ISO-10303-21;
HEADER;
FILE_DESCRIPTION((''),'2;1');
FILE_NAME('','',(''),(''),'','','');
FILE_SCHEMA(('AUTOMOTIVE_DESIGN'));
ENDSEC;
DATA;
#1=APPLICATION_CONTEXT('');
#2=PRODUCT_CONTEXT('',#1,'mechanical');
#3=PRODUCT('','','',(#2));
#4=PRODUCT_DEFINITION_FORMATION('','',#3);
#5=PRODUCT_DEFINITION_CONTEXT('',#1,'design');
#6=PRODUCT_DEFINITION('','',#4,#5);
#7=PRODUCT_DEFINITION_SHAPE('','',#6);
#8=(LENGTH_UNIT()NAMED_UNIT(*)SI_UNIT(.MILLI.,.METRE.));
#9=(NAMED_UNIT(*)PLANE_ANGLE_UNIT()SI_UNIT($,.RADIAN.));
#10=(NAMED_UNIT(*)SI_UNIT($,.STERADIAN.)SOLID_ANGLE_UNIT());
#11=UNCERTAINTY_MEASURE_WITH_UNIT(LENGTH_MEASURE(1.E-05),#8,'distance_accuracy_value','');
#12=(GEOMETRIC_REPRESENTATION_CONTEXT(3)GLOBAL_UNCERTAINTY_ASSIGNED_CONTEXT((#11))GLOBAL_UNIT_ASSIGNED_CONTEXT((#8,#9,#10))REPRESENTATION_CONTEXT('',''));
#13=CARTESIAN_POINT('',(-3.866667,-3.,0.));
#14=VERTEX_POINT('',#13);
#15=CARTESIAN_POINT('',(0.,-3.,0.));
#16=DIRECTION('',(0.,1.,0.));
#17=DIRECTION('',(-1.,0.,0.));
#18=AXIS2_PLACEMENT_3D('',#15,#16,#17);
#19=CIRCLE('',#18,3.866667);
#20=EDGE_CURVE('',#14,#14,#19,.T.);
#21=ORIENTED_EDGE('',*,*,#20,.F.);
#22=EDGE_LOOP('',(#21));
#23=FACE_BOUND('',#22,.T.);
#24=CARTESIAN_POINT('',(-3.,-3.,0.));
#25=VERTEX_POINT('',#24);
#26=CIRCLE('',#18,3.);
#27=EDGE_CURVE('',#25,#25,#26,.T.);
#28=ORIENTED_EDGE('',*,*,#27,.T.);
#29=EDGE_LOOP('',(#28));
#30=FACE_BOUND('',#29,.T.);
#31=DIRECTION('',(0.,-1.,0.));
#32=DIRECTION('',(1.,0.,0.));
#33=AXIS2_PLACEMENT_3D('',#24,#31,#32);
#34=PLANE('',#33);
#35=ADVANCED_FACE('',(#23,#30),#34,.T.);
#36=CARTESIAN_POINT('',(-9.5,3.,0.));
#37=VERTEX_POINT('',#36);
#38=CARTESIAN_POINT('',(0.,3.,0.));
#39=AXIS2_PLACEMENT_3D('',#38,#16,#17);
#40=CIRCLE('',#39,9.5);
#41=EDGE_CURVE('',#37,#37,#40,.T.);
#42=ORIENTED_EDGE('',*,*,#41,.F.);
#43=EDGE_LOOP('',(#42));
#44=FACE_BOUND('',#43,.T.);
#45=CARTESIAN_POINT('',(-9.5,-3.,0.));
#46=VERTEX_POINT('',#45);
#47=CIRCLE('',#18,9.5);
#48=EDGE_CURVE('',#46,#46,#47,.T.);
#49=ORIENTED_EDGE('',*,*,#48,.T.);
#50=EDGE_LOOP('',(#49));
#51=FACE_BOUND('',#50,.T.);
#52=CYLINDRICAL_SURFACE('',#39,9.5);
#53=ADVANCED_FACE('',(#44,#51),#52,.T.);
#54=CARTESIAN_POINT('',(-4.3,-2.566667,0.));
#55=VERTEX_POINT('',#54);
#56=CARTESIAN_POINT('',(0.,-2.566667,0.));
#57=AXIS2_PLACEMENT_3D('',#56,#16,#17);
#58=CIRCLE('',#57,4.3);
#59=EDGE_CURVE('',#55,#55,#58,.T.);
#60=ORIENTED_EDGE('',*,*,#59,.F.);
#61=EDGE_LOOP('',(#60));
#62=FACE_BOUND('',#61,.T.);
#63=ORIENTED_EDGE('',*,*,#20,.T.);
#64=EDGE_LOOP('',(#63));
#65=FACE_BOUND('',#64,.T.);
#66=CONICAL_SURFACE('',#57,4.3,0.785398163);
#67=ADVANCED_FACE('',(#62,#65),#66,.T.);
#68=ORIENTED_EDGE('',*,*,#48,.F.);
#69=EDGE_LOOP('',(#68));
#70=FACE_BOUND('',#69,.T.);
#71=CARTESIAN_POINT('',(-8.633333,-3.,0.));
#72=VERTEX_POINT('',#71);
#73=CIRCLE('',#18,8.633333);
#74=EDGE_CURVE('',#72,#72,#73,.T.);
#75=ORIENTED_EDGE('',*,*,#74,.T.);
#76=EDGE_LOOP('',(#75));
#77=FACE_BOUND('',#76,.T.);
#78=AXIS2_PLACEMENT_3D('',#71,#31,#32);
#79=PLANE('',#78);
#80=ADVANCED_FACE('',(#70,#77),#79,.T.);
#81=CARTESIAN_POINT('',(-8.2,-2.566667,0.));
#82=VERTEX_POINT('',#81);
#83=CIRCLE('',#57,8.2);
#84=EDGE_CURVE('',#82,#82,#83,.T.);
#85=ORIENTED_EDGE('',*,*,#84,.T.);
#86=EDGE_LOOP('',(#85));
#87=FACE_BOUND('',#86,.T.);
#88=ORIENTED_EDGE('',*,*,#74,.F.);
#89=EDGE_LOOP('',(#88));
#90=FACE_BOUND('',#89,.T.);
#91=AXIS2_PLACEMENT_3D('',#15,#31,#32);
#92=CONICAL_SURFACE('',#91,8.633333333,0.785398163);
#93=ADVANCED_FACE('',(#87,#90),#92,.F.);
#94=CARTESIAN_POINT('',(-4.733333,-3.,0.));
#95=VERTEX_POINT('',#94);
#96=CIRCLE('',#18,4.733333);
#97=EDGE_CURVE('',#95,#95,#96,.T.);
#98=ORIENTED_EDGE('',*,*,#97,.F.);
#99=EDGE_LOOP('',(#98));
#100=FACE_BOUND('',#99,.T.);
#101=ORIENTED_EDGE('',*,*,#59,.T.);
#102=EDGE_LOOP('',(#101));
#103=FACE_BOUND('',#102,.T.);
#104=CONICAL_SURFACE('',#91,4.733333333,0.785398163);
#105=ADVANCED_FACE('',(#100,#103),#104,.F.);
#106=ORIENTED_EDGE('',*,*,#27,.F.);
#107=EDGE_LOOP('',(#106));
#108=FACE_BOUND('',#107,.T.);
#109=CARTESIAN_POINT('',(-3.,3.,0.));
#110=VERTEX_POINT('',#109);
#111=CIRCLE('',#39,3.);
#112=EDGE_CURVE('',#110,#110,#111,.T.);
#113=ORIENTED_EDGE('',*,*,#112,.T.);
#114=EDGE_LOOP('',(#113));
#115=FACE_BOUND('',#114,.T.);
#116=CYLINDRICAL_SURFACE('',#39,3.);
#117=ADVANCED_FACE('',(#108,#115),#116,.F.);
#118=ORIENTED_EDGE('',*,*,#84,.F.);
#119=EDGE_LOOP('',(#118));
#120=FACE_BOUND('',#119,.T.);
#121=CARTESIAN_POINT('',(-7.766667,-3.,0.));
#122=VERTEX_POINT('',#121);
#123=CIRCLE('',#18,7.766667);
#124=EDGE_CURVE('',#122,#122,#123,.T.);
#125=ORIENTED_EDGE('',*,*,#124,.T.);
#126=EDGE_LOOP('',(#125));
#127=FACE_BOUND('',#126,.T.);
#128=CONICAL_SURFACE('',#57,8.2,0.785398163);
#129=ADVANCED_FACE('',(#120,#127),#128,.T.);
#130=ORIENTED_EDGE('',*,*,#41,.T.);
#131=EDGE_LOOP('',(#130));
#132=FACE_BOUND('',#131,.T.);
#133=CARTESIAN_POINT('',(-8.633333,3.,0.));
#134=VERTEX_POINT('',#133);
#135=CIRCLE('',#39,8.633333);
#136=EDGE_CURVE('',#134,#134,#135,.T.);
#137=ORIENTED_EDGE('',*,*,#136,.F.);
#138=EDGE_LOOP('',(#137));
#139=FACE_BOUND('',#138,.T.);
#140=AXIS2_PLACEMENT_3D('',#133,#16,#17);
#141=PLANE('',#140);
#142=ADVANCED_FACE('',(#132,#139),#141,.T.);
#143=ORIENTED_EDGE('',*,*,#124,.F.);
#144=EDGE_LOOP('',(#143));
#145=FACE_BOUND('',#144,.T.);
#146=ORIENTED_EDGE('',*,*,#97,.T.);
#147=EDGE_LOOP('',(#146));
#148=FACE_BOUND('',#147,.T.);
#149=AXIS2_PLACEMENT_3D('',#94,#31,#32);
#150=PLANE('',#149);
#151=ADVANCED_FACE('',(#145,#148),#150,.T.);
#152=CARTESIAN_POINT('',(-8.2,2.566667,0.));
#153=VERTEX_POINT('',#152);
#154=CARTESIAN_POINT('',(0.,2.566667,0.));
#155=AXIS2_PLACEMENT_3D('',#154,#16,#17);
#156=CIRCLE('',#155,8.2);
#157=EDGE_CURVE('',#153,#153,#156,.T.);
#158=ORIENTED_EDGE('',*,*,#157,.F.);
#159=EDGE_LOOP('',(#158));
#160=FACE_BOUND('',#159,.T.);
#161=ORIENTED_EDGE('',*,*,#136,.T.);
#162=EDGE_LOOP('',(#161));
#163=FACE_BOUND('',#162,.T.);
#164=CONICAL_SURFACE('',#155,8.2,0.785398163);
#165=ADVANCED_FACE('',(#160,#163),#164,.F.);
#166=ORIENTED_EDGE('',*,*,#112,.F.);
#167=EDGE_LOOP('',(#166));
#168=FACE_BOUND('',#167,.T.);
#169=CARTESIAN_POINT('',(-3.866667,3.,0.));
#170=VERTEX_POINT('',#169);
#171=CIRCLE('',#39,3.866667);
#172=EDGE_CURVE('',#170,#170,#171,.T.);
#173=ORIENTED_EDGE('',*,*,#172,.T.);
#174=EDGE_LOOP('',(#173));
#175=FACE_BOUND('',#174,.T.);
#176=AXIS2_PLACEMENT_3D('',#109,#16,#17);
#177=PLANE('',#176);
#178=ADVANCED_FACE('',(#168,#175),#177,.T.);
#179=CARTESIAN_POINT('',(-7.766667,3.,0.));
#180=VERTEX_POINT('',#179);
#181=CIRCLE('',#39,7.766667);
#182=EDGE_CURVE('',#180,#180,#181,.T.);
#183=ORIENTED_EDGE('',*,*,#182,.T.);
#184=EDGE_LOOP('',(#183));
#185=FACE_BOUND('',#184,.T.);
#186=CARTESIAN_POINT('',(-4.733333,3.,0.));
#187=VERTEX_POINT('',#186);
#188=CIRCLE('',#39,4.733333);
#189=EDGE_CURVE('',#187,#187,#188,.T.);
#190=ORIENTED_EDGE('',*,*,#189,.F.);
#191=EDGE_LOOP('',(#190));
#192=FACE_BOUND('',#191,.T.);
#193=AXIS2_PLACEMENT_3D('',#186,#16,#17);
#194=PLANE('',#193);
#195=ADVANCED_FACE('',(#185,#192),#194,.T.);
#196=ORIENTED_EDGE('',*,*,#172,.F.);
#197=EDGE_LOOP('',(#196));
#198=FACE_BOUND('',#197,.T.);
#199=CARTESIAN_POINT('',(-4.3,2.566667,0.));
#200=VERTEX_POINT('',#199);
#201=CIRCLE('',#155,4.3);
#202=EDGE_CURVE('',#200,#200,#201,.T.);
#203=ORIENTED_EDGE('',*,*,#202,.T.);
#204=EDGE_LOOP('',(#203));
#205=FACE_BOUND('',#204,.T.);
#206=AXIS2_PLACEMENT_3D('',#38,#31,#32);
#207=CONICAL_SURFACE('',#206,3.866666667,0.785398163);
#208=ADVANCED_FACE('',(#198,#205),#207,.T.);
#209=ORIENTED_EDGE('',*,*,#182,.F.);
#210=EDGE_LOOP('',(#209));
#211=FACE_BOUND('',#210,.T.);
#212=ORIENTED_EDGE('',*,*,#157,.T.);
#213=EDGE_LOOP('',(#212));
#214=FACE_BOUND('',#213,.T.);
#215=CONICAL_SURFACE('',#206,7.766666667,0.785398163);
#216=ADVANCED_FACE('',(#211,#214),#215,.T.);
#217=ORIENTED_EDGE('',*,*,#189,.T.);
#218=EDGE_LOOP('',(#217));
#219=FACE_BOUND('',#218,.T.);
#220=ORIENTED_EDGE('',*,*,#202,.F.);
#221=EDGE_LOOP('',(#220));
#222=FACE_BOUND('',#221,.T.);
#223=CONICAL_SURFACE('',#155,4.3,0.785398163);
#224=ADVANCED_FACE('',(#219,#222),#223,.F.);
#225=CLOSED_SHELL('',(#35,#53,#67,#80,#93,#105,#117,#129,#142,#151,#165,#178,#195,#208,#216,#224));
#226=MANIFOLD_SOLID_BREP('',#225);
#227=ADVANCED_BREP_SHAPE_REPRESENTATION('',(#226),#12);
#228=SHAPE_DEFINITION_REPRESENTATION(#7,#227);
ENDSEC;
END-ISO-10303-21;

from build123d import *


with BuildPart() as part:
    # Sketch1 → Revolve1 (revolve)
    with BuildSketch(Plane.XY):
        Polygon((-3, 3), (-3.866666667, 3), (-4.3, 2.566666667), (-4.733333333, 3), (-7.766666667, 3), (-8.2, 2.566666667), (-8.633333333, 3), (-9.5, 3), (-9.5, -3), (-8.633333333, -3), (-8.2, -2.566666667), (-7.766666667, -3), (-4.733333333, -3), (-4.3, -2.566666667), (-3.866666667, -3), (-3, -3), align=None)
    revolve(axis=Axis((0, 3, 0), (0, -1, 0)))


solid = part.part
